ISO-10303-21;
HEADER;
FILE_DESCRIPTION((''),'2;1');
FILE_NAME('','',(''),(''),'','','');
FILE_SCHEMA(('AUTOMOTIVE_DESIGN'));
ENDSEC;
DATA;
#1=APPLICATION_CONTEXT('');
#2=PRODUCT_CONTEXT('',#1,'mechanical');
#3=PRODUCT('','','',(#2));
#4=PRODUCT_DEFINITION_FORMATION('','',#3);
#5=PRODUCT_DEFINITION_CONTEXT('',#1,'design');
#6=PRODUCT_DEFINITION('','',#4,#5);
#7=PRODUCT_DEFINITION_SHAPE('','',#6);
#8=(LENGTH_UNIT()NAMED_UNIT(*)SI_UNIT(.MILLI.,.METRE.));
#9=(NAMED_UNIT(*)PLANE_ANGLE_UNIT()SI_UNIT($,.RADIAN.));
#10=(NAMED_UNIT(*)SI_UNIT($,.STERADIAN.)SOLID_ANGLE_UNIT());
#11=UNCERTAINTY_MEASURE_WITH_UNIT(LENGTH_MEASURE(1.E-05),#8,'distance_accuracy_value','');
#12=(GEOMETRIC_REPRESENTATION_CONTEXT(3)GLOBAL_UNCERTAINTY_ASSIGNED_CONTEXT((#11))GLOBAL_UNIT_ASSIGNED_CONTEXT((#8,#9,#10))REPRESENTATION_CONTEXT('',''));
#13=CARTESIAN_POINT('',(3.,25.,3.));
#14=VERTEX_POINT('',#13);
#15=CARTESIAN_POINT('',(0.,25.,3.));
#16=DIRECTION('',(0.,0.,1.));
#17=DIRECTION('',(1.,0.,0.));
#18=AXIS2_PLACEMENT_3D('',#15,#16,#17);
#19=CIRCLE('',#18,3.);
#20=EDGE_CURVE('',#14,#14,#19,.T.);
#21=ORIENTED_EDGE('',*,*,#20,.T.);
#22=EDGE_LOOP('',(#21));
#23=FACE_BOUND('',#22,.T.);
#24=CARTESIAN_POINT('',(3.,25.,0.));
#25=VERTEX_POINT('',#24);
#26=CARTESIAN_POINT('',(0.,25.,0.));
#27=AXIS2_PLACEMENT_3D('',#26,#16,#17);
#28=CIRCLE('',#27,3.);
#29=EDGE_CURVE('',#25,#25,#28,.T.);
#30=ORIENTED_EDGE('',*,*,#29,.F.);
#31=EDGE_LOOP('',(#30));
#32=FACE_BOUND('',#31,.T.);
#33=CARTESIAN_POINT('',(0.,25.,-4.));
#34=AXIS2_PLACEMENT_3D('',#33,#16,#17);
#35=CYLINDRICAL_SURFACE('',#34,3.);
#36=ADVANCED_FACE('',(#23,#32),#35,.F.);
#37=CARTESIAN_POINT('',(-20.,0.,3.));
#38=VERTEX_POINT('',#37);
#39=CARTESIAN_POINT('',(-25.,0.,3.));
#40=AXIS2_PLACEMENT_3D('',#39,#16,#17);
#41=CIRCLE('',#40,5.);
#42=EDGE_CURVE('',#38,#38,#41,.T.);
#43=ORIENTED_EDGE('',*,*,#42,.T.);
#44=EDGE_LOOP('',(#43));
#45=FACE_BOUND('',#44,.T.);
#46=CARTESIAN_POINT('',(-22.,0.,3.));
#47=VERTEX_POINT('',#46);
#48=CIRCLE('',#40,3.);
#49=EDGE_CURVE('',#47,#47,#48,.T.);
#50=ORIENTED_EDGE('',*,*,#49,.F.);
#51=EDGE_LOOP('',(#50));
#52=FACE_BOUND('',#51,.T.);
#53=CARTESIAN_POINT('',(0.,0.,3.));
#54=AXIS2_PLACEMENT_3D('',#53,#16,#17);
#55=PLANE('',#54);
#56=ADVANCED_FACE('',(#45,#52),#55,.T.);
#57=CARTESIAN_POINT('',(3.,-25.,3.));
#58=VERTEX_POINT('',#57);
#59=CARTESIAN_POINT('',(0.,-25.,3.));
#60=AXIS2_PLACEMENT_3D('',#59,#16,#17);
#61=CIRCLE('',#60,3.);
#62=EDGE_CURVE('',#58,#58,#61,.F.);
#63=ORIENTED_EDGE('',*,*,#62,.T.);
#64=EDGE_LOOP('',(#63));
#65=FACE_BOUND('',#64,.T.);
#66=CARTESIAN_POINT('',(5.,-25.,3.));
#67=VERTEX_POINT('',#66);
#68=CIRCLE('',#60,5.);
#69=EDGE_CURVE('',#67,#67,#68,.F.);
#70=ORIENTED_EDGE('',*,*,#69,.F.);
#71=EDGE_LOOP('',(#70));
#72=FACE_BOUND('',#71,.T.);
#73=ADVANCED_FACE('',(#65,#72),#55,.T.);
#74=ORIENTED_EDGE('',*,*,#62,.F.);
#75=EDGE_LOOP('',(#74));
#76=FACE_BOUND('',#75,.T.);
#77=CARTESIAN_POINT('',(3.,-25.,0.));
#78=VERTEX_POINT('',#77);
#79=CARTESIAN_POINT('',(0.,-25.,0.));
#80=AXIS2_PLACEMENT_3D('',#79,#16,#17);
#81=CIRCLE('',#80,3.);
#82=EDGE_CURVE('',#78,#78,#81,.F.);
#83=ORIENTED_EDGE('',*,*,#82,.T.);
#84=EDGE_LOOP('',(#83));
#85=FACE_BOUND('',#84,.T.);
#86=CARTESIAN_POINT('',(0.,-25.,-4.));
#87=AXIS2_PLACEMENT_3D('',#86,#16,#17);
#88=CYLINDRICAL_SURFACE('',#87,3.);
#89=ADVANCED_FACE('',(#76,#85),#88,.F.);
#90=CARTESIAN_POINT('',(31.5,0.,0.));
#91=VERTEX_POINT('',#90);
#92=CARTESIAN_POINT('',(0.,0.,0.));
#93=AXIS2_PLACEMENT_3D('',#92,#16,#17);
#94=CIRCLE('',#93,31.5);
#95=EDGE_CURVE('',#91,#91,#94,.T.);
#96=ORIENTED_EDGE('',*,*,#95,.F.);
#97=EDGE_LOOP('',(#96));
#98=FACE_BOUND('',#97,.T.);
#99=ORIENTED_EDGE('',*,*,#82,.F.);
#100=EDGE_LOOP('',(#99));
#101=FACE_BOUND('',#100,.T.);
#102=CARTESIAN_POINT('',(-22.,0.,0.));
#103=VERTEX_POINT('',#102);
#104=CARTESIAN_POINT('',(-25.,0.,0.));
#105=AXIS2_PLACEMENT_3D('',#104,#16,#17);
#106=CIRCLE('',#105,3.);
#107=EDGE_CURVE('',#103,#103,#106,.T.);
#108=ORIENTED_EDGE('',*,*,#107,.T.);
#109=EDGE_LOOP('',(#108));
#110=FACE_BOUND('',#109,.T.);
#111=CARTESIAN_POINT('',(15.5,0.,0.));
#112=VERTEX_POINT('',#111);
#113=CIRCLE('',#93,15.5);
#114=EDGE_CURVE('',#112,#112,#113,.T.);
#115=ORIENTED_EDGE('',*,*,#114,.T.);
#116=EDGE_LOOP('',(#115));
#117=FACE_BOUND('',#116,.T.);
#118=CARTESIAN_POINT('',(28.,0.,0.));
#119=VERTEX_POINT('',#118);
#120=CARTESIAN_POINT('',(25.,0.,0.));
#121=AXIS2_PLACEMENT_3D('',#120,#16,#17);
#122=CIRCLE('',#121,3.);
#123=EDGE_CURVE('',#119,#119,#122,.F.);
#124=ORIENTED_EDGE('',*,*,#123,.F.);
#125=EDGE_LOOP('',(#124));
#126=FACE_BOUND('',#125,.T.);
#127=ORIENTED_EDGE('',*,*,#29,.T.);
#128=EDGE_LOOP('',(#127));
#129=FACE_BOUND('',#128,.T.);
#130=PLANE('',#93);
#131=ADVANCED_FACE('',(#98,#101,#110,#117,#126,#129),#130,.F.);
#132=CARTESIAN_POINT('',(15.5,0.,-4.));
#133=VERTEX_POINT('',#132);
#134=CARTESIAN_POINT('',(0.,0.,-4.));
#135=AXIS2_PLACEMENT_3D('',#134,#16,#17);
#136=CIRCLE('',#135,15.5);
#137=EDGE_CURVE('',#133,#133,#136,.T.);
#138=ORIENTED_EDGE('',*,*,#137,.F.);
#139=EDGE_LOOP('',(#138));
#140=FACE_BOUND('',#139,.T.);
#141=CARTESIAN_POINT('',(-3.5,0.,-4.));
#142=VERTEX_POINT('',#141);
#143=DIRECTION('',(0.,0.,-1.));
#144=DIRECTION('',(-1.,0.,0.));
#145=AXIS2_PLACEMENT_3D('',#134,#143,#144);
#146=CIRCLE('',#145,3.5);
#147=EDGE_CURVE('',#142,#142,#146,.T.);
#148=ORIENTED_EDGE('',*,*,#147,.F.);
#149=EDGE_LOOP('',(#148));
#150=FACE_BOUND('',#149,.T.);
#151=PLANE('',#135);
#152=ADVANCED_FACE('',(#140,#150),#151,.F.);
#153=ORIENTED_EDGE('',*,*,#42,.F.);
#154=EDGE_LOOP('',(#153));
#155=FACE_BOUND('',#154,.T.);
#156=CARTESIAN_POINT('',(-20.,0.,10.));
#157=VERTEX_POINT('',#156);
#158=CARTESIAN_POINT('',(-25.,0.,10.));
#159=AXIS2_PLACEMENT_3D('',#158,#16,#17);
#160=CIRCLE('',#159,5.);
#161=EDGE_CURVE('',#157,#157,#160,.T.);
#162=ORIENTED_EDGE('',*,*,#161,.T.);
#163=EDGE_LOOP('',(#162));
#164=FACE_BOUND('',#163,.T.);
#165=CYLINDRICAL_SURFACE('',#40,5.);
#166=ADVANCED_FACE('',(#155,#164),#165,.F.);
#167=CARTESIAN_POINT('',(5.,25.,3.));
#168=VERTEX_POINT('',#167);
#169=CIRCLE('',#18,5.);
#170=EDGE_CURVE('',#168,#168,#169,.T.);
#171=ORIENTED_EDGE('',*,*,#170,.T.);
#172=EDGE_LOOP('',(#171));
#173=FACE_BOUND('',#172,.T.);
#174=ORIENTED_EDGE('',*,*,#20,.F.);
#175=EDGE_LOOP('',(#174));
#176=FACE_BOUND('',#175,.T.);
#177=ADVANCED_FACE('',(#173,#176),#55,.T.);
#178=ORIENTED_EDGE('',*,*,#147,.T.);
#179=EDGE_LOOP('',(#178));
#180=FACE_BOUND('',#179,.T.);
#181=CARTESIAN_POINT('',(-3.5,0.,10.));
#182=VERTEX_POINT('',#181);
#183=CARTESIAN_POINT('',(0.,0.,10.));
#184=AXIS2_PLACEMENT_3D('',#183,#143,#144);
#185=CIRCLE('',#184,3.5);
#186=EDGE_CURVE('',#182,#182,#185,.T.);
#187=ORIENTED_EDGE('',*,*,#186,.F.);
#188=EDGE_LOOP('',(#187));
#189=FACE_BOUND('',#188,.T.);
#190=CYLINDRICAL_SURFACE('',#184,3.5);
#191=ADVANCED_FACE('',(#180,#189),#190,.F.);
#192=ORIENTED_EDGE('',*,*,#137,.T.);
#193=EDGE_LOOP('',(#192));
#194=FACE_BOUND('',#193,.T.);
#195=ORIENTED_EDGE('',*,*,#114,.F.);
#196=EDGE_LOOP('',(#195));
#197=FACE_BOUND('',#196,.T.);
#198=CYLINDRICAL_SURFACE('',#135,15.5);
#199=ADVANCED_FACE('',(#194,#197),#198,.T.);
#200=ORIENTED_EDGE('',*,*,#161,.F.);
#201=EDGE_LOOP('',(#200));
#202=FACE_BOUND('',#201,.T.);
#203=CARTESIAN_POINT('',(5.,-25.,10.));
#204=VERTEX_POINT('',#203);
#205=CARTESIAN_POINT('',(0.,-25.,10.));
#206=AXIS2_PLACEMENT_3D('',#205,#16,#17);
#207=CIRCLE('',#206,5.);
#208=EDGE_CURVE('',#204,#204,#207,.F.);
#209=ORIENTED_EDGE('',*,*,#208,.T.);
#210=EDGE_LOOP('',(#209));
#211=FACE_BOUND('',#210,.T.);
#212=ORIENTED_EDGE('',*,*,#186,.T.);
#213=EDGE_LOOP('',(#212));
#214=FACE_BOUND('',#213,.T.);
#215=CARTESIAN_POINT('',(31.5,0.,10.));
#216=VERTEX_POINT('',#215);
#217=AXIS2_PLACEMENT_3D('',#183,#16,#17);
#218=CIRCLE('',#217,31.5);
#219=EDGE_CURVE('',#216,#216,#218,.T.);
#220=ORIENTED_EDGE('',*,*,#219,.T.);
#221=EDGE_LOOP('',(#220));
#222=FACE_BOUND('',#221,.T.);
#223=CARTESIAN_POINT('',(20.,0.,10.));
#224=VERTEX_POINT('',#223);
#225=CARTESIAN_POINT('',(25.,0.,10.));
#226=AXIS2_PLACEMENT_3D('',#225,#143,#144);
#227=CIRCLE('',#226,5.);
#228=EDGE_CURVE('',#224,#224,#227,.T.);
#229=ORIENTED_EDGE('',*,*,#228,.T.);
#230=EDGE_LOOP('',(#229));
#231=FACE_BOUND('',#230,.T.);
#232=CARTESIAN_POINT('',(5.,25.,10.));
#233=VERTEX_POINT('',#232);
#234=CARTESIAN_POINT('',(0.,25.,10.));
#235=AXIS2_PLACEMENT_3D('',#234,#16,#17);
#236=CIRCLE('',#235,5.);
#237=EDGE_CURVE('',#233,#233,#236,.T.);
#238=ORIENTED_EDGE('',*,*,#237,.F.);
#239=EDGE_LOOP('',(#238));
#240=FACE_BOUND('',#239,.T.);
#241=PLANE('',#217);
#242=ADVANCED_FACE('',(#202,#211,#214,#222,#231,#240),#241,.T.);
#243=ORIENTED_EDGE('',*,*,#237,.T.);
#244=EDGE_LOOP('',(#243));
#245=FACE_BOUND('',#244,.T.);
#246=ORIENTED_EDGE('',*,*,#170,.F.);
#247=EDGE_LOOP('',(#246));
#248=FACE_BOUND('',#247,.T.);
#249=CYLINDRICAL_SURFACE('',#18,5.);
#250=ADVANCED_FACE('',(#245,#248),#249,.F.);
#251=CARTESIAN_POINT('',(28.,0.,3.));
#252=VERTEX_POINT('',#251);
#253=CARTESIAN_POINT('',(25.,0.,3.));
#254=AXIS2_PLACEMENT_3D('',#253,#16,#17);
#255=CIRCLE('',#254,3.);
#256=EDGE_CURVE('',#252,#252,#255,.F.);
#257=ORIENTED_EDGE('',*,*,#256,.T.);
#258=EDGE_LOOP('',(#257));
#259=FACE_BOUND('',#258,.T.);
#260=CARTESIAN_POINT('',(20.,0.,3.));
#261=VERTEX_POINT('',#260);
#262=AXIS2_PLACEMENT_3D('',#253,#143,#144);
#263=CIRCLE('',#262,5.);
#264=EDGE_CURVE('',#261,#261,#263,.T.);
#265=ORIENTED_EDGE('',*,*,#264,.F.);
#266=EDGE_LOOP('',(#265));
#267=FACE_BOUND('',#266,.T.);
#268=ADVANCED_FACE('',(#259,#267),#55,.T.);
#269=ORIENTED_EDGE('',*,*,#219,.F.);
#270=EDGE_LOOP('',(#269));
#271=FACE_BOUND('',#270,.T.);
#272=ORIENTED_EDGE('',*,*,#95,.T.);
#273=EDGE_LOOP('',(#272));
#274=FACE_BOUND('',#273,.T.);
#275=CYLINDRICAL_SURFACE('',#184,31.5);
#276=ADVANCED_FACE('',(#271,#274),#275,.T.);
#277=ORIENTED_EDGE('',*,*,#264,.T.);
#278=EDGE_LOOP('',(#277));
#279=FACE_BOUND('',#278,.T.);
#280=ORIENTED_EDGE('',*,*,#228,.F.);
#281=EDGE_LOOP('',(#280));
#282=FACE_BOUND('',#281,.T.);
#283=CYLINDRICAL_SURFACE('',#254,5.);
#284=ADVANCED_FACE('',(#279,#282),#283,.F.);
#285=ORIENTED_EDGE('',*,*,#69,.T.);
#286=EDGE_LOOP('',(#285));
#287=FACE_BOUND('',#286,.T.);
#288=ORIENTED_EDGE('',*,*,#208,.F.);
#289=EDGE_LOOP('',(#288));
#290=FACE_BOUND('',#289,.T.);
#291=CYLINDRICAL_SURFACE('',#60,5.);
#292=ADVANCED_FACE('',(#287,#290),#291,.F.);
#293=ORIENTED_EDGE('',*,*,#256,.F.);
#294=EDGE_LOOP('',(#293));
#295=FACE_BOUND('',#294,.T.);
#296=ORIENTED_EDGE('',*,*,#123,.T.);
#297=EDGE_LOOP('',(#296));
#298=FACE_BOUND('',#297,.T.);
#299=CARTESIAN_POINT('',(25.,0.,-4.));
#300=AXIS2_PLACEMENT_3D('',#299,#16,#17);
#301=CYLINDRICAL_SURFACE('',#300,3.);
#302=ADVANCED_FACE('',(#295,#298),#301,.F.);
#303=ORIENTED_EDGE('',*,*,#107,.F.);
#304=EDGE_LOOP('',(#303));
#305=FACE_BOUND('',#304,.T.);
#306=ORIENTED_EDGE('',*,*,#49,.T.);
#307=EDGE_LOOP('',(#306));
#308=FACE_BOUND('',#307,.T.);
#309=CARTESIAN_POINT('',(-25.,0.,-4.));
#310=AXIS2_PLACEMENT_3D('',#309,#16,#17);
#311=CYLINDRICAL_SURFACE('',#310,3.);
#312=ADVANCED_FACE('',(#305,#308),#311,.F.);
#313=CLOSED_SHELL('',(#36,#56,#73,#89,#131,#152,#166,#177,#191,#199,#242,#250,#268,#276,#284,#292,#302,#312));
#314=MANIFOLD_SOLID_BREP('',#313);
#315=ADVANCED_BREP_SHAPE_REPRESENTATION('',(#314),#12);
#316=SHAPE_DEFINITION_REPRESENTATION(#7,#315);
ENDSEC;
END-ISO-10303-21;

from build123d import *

# Parameters (mm, degrees)
SKETCH1_R               = 31.5
BOSS_EXTRUDE1_DEPTH     = 10
SKETCH1_3_R             = 15.5
BOSS_EXTRUDE2_DEPTH     = 4
SKETCH2_R               = 3.5
CUT_EXTRUDE1_DEPTH      = 47.695824224
SKETCH3_R               = 5
SKETCH3_R_2             = 3
CUT_EXTRUDE2_DEPTH      = 7
CUT_EXTRUDE3_DEPTH      = 47.695824224
CUT_EXTRUDE3_DEPTH_BACK = 47.695824224
SKETCH3_4_R             = 3


with BuildPart() as part:
    # Sketch1 → Boss-Extrude1 (new body)
    with BuildSketch(Plane.XY):
        Circle(SKETCH1_R)
    extrude(amount=BOSS_EXTRUDE1_DEPTH)

    # Sketch1<3> → Boss-Extrude2 (add)
    with BuildSketch(Plane.XY):
        Circle(SKETCH1_3_R)
    extrude(amount=-BOSS_EXTRUDE2_DEPTH)

    # Sketch2 → Cut-Extrude1 (cut, through all)
    with BuildSketch(Plane(origin=(0, 0, -4), x_dir=(-1, 0, 0), z_dir=(0, 0, -1))):
        Circle(SKETCH2_R)
    extrude(amount=-CUT_EXTRUDE1_DEPTH, mode=Mode.SUBTRACT)

    # Sketch3 → Cut-Extrude2 (cut)
    # profile 1 of 4: a face of its own
    with BuildSketch(Plane.XY.offset(10)):
        with Locations((25, 0)):
            Circle(SKETCH3_R)
    # profile 2 of 4: a face of its own
    with BuildSketch(Plane.XY.offset(10)):
        with Locations((0, 25)):
            Circle(SKETCH3_R)
        with Locations((0, 25)):
            Circle(SKETCH3_R_2, mode=Mode.SUBTRACT)
    # profile 3 of 4: a face of its own
    with BuildSketch(Plane.XY.offset(10)):
        with Locations((0, -25)):
            Circle(SKETCH3_R)
        with Locations((0, -25)):
            Circle(SKETCH3_R_2, mode=Mode.SUBTRACT)
    # profile 4 of 4: a face of its own
    with BuildSketch(Plane.XY.offset(10)):
        with Locations((-25, 0)):
            Circle(SKETCH3_R)
        with Locations((-25, 0)):
            Circle(SKETCH3_R_2, mode=Mode.SUBTRACT)
    extrude(amount=-CUT_EXTRUDE2_DEPTH, mode=Mode.SUBTRACT)

    # Sketch3<4> → Cut-Extrude3 (cut, two sides: drawn at the far end of the back side and taken through both)
    with BuildSketch(Plane.XY.offset(10).offset(-CUT_EXTRUDE3_DEPTH_BACK)):
        with Locations((25, 0)):
            Circle(SKETCH3_4_R)
        with Locations((0, 25)):
            Circle(SKETCH3_4_R)
        with Locations((0, -25)):
            Circle(SKETCH3_4_R)
        with Locations((-25, 0)):
            Circle(SKETCH3_4_R)
    extrude(amount=CUT_EXTRUDE3_DEPTH + CUT_EXTRUDE3_DEPTH_BACK, mode=Mode.SUBTRACT)


solid = part.part
